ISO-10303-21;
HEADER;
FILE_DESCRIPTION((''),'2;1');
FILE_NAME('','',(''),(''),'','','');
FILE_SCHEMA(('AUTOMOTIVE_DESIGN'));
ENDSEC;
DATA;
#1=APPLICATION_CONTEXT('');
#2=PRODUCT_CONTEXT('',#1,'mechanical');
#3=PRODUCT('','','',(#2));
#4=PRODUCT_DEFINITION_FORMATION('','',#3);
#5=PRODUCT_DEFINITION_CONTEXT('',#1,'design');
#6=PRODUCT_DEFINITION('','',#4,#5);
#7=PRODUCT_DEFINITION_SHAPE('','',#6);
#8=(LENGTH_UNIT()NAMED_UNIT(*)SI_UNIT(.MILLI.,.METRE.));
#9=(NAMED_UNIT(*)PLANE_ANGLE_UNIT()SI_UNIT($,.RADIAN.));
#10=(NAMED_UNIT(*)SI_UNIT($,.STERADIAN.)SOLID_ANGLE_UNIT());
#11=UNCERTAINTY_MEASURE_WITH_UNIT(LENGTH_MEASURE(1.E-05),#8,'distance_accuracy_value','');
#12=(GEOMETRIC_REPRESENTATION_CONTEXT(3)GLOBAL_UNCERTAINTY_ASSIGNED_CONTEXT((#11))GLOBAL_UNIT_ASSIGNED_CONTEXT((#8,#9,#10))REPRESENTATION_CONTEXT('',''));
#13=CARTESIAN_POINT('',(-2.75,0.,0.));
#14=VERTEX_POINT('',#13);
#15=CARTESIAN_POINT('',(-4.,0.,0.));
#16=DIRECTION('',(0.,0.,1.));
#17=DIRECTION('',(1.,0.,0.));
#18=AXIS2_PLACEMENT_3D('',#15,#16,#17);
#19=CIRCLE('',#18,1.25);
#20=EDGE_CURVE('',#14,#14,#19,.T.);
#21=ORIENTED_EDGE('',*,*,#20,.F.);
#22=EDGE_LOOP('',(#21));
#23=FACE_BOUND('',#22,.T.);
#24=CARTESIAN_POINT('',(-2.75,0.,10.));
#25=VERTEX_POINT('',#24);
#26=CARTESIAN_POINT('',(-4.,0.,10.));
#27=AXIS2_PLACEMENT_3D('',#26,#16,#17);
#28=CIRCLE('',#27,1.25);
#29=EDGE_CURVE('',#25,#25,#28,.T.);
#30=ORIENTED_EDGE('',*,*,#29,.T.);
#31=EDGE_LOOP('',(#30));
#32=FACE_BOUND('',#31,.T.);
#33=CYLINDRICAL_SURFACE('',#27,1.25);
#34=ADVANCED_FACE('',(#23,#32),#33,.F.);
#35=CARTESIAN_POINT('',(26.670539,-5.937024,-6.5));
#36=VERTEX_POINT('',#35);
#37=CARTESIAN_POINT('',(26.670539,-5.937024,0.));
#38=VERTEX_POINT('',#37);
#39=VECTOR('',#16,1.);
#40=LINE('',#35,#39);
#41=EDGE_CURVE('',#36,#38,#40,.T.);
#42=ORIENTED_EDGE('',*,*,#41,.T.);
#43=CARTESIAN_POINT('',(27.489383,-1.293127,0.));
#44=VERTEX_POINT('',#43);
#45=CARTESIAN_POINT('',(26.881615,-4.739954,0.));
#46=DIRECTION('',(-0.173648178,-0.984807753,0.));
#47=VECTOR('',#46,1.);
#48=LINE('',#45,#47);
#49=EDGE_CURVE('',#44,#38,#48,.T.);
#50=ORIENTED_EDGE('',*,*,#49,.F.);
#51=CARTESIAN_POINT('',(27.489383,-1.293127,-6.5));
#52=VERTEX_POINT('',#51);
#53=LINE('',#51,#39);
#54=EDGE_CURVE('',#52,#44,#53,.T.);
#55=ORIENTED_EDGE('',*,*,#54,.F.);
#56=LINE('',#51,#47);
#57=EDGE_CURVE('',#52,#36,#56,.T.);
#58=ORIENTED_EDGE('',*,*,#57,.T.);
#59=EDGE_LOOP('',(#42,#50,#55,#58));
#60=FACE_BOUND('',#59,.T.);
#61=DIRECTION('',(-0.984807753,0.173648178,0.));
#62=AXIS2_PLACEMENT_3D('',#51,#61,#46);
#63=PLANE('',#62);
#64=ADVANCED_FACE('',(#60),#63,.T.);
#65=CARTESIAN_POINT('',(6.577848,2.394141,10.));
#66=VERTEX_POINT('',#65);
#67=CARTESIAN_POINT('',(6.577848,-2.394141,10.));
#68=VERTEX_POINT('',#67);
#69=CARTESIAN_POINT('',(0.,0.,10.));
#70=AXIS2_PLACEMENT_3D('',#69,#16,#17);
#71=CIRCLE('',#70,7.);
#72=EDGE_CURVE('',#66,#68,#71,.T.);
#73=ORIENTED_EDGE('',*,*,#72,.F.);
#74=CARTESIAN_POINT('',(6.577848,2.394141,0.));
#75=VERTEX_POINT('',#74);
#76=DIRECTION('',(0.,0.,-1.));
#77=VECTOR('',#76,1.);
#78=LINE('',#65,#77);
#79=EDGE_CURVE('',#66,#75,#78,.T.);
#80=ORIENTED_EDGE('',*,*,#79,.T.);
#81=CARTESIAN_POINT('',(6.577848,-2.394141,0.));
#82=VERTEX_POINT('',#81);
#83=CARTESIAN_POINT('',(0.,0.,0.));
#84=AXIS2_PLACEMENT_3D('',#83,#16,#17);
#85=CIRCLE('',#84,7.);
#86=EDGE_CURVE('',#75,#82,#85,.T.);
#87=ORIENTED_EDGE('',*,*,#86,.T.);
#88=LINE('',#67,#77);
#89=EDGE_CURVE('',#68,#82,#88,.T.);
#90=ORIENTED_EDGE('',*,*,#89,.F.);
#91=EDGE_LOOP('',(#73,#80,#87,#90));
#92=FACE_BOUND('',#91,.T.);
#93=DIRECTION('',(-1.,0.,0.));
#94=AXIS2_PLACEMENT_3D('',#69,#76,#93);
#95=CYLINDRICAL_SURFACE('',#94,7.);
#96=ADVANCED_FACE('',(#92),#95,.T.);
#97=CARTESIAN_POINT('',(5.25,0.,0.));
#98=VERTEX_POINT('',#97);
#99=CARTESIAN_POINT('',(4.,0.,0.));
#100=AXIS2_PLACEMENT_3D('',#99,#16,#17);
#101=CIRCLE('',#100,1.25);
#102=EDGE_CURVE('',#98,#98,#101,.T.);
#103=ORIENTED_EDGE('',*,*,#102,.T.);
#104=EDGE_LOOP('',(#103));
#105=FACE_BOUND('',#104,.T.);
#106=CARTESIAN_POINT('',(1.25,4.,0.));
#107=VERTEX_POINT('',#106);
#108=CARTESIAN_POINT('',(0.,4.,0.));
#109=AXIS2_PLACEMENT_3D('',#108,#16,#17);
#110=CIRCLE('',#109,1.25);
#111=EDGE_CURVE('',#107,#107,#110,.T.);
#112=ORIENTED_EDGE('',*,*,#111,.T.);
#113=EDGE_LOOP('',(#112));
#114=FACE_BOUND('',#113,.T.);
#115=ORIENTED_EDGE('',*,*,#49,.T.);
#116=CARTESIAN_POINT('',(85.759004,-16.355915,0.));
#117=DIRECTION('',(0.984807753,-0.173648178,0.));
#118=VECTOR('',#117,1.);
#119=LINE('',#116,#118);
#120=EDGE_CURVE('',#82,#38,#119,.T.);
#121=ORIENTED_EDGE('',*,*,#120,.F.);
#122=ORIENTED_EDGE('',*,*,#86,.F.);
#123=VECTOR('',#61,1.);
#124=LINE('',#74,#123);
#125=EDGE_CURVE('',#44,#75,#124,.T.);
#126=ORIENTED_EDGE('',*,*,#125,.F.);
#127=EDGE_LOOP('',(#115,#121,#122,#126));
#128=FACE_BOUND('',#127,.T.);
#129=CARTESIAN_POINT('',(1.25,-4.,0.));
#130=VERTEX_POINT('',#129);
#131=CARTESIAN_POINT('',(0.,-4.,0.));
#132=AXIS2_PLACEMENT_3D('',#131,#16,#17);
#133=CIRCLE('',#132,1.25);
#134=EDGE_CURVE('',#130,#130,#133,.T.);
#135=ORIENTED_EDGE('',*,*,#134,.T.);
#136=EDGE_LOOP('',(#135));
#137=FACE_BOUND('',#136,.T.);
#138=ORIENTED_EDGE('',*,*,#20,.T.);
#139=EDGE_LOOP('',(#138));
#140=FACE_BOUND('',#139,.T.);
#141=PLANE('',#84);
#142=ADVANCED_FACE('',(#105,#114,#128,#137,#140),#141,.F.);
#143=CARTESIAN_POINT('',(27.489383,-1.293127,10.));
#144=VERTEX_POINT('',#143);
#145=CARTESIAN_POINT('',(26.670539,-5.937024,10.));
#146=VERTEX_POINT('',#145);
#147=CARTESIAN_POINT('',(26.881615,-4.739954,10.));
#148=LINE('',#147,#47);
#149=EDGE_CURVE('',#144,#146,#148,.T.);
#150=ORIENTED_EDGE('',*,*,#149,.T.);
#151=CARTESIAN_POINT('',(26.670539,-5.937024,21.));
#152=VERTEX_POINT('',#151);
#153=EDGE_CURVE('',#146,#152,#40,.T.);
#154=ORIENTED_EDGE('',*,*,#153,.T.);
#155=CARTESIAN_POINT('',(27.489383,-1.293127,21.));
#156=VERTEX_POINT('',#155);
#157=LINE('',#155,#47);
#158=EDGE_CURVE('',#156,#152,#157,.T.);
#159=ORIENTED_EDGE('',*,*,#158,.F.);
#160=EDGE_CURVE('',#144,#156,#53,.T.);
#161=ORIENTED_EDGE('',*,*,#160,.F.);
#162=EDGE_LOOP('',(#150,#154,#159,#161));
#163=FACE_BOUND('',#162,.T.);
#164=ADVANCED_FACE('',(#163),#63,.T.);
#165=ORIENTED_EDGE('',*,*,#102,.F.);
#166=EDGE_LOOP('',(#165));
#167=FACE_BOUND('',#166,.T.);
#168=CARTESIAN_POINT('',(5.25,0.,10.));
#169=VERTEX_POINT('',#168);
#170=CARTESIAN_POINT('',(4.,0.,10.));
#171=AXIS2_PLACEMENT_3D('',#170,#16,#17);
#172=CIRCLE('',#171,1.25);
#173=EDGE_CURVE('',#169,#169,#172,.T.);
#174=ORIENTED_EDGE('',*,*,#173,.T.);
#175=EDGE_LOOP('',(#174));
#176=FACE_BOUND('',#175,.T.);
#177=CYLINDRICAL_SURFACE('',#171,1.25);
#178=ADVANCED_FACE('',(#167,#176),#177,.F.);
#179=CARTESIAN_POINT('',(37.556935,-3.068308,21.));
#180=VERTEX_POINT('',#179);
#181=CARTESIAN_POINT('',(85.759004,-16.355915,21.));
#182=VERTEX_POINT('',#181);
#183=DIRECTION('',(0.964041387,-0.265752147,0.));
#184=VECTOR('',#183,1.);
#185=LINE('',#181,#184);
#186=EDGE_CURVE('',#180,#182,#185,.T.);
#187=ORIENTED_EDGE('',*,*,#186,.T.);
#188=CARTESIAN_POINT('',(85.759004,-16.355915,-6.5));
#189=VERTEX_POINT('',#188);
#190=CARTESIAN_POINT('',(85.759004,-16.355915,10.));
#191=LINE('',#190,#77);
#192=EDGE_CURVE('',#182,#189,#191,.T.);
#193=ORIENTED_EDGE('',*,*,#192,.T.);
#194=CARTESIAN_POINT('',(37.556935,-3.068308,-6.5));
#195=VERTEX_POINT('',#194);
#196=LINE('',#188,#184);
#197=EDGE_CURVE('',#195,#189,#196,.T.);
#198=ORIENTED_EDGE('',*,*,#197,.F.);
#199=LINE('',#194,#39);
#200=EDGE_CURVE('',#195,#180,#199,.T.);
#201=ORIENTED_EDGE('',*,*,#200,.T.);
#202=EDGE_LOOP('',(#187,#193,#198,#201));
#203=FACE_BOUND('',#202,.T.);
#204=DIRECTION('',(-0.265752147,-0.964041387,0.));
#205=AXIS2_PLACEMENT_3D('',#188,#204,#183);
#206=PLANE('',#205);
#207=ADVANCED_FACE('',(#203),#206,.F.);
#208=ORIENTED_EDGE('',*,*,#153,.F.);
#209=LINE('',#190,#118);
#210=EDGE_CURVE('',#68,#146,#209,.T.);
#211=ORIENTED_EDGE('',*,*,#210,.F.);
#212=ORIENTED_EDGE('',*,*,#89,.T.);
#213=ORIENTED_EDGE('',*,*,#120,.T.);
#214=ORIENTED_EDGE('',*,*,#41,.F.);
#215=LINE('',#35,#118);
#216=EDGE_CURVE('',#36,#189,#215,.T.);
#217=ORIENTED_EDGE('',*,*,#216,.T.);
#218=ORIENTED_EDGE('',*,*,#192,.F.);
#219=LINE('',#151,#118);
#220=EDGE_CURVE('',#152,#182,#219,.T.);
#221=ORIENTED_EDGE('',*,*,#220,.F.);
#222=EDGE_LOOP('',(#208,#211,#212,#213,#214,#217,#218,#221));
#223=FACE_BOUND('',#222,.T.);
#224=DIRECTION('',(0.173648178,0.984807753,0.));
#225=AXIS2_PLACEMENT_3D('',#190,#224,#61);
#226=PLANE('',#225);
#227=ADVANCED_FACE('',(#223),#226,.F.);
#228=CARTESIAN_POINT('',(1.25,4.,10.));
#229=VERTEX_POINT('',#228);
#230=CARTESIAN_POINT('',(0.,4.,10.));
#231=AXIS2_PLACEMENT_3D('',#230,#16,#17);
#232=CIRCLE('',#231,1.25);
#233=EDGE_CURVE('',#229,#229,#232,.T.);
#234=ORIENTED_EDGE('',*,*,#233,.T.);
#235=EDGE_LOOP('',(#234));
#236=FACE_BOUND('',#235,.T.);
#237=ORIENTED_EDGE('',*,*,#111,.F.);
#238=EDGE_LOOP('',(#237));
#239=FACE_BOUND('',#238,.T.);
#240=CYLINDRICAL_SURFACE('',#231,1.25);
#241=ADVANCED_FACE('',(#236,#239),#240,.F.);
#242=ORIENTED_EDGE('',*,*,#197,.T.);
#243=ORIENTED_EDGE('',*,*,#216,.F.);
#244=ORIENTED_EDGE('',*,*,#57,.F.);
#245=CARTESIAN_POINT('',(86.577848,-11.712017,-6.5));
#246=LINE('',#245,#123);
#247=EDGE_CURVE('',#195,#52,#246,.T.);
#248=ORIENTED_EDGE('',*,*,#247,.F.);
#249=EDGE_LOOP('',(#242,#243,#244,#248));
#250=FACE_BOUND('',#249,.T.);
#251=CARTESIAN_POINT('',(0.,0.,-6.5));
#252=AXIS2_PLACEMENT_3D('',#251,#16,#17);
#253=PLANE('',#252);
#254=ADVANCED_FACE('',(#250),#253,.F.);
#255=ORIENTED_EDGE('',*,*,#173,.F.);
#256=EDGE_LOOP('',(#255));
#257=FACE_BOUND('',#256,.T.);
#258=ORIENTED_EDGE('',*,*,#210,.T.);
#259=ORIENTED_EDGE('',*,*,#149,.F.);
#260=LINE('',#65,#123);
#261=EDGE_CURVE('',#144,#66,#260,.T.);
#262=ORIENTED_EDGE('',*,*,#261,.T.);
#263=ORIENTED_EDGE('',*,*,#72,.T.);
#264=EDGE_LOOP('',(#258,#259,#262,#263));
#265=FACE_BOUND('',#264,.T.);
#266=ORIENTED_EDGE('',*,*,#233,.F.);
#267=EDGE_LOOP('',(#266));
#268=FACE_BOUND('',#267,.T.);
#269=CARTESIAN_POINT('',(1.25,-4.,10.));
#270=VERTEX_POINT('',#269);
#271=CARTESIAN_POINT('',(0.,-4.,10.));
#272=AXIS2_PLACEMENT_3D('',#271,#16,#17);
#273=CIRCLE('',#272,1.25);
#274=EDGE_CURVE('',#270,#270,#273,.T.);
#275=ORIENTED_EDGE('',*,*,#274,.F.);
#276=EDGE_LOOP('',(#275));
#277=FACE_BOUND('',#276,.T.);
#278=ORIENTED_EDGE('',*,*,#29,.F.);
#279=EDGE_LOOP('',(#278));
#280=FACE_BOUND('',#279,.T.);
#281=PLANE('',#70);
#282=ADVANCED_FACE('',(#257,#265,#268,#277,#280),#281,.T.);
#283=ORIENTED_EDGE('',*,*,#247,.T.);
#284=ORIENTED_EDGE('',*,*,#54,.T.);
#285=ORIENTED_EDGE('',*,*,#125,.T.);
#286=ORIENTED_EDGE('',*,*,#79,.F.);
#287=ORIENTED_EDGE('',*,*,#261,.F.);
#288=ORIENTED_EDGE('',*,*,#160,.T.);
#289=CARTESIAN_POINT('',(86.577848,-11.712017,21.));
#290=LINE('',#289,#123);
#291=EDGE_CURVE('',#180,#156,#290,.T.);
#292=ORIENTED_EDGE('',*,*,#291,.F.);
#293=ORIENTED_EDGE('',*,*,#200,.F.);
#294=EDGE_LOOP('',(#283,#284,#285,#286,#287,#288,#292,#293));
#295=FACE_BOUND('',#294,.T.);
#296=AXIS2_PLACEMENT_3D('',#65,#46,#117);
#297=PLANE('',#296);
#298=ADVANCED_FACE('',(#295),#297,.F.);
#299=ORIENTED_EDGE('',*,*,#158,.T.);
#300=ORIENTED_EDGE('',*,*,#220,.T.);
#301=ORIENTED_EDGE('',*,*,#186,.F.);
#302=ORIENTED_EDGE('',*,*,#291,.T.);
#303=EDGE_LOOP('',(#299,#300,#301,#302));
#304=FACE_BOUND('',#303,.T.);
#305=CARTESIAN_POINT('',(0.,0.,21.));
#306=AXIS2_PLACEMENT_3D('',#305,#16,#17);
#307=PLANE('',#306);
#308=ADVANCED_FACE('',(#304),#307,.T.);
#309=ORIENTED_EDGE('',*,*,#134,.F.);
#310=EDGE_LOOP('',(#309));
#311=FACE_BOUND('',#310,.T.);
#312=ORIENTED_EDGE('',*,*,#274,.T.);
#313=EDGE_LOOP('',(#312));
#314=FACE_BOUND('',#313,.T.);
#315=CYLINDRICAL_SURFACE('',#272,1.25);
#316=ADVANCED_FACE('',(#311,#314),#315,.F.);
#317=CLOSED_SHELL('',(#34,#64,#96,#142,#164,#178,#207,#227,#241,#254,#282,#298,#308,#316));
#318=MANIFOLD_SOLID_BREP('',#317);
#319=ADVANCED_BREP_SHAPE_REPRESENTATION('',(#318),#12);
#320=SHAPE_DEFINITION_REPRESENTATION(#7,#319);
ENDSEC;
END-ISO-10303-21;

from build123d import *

# Parameters (mm, degrees)
EXTRUDE_1_DEPTH      = 10
EXTRUDE_2_DEPTH      = 11
EXTRUDE_2_DEPTH_BACK = 16.5
CUT_EXTRUDE_1_DEPTH  = 28.5
HOLE_WIZARD_M3_1_D   = 2.5


with BuildPart() as part:
    # 스케치1 → 보스-돌출1 (new body)
    with BuildSketch(Plane.XY):
        with BuildLine():
            Line((6.577848346, 2.394141003), (86.577848346, -11.712017453))
            Line((86.577848346, -11.712017453), (85.759003896, -16.355915091))
            Line((85.759003896, -16.355915091), (6.577848346, -2.394141003))
            ThreePointArc((6.577848346, -2.394141003), (-7, 0), (6.577848346, 2.394141003))
        make_face()
    extrude(amount=EXTRUDE_1_DEPTH)

    # 스케치2 → 보스-돌출2 (add, two sides)
    with BuildSketch(Plane.XY.offset(10)) as extrude_2_sk:
        Polygon((86.577848346, -11.712017453), (27.489383165, -1.293126793), (26.670538716, -5.937024431), (85.759003896, -16.355915091), align=None)
    extrude(amount=EXTRUDE_2_DEPTH)
    extrude(extrude_2_sk.sketch, amount=-EXTRUDE_2_DEPTH_BACK)

    # 스케치4 → 컷-돌출1 (cut, through all)
    with BuildSketch(Plane.XY.offset(21)):
        Polygon((86.577848346, -11.712017453), (85.759003896, -16.355915091), (37.556934536, -3.06830773), align=None)
    extrude(amount=-CUT_EXTRUDE_1_DEPTH, mode=Mode.SUBTRACT)

    # M3 나사 구멍1 (through all)
    with Locations(Plane.XY.offset(10)):
        with Locations((-4, 0), (0, 4), (4, 0), (0, -4)):
            Hole(HOLE_WIZARD_M3_1_D / 2)


solid = part.part
